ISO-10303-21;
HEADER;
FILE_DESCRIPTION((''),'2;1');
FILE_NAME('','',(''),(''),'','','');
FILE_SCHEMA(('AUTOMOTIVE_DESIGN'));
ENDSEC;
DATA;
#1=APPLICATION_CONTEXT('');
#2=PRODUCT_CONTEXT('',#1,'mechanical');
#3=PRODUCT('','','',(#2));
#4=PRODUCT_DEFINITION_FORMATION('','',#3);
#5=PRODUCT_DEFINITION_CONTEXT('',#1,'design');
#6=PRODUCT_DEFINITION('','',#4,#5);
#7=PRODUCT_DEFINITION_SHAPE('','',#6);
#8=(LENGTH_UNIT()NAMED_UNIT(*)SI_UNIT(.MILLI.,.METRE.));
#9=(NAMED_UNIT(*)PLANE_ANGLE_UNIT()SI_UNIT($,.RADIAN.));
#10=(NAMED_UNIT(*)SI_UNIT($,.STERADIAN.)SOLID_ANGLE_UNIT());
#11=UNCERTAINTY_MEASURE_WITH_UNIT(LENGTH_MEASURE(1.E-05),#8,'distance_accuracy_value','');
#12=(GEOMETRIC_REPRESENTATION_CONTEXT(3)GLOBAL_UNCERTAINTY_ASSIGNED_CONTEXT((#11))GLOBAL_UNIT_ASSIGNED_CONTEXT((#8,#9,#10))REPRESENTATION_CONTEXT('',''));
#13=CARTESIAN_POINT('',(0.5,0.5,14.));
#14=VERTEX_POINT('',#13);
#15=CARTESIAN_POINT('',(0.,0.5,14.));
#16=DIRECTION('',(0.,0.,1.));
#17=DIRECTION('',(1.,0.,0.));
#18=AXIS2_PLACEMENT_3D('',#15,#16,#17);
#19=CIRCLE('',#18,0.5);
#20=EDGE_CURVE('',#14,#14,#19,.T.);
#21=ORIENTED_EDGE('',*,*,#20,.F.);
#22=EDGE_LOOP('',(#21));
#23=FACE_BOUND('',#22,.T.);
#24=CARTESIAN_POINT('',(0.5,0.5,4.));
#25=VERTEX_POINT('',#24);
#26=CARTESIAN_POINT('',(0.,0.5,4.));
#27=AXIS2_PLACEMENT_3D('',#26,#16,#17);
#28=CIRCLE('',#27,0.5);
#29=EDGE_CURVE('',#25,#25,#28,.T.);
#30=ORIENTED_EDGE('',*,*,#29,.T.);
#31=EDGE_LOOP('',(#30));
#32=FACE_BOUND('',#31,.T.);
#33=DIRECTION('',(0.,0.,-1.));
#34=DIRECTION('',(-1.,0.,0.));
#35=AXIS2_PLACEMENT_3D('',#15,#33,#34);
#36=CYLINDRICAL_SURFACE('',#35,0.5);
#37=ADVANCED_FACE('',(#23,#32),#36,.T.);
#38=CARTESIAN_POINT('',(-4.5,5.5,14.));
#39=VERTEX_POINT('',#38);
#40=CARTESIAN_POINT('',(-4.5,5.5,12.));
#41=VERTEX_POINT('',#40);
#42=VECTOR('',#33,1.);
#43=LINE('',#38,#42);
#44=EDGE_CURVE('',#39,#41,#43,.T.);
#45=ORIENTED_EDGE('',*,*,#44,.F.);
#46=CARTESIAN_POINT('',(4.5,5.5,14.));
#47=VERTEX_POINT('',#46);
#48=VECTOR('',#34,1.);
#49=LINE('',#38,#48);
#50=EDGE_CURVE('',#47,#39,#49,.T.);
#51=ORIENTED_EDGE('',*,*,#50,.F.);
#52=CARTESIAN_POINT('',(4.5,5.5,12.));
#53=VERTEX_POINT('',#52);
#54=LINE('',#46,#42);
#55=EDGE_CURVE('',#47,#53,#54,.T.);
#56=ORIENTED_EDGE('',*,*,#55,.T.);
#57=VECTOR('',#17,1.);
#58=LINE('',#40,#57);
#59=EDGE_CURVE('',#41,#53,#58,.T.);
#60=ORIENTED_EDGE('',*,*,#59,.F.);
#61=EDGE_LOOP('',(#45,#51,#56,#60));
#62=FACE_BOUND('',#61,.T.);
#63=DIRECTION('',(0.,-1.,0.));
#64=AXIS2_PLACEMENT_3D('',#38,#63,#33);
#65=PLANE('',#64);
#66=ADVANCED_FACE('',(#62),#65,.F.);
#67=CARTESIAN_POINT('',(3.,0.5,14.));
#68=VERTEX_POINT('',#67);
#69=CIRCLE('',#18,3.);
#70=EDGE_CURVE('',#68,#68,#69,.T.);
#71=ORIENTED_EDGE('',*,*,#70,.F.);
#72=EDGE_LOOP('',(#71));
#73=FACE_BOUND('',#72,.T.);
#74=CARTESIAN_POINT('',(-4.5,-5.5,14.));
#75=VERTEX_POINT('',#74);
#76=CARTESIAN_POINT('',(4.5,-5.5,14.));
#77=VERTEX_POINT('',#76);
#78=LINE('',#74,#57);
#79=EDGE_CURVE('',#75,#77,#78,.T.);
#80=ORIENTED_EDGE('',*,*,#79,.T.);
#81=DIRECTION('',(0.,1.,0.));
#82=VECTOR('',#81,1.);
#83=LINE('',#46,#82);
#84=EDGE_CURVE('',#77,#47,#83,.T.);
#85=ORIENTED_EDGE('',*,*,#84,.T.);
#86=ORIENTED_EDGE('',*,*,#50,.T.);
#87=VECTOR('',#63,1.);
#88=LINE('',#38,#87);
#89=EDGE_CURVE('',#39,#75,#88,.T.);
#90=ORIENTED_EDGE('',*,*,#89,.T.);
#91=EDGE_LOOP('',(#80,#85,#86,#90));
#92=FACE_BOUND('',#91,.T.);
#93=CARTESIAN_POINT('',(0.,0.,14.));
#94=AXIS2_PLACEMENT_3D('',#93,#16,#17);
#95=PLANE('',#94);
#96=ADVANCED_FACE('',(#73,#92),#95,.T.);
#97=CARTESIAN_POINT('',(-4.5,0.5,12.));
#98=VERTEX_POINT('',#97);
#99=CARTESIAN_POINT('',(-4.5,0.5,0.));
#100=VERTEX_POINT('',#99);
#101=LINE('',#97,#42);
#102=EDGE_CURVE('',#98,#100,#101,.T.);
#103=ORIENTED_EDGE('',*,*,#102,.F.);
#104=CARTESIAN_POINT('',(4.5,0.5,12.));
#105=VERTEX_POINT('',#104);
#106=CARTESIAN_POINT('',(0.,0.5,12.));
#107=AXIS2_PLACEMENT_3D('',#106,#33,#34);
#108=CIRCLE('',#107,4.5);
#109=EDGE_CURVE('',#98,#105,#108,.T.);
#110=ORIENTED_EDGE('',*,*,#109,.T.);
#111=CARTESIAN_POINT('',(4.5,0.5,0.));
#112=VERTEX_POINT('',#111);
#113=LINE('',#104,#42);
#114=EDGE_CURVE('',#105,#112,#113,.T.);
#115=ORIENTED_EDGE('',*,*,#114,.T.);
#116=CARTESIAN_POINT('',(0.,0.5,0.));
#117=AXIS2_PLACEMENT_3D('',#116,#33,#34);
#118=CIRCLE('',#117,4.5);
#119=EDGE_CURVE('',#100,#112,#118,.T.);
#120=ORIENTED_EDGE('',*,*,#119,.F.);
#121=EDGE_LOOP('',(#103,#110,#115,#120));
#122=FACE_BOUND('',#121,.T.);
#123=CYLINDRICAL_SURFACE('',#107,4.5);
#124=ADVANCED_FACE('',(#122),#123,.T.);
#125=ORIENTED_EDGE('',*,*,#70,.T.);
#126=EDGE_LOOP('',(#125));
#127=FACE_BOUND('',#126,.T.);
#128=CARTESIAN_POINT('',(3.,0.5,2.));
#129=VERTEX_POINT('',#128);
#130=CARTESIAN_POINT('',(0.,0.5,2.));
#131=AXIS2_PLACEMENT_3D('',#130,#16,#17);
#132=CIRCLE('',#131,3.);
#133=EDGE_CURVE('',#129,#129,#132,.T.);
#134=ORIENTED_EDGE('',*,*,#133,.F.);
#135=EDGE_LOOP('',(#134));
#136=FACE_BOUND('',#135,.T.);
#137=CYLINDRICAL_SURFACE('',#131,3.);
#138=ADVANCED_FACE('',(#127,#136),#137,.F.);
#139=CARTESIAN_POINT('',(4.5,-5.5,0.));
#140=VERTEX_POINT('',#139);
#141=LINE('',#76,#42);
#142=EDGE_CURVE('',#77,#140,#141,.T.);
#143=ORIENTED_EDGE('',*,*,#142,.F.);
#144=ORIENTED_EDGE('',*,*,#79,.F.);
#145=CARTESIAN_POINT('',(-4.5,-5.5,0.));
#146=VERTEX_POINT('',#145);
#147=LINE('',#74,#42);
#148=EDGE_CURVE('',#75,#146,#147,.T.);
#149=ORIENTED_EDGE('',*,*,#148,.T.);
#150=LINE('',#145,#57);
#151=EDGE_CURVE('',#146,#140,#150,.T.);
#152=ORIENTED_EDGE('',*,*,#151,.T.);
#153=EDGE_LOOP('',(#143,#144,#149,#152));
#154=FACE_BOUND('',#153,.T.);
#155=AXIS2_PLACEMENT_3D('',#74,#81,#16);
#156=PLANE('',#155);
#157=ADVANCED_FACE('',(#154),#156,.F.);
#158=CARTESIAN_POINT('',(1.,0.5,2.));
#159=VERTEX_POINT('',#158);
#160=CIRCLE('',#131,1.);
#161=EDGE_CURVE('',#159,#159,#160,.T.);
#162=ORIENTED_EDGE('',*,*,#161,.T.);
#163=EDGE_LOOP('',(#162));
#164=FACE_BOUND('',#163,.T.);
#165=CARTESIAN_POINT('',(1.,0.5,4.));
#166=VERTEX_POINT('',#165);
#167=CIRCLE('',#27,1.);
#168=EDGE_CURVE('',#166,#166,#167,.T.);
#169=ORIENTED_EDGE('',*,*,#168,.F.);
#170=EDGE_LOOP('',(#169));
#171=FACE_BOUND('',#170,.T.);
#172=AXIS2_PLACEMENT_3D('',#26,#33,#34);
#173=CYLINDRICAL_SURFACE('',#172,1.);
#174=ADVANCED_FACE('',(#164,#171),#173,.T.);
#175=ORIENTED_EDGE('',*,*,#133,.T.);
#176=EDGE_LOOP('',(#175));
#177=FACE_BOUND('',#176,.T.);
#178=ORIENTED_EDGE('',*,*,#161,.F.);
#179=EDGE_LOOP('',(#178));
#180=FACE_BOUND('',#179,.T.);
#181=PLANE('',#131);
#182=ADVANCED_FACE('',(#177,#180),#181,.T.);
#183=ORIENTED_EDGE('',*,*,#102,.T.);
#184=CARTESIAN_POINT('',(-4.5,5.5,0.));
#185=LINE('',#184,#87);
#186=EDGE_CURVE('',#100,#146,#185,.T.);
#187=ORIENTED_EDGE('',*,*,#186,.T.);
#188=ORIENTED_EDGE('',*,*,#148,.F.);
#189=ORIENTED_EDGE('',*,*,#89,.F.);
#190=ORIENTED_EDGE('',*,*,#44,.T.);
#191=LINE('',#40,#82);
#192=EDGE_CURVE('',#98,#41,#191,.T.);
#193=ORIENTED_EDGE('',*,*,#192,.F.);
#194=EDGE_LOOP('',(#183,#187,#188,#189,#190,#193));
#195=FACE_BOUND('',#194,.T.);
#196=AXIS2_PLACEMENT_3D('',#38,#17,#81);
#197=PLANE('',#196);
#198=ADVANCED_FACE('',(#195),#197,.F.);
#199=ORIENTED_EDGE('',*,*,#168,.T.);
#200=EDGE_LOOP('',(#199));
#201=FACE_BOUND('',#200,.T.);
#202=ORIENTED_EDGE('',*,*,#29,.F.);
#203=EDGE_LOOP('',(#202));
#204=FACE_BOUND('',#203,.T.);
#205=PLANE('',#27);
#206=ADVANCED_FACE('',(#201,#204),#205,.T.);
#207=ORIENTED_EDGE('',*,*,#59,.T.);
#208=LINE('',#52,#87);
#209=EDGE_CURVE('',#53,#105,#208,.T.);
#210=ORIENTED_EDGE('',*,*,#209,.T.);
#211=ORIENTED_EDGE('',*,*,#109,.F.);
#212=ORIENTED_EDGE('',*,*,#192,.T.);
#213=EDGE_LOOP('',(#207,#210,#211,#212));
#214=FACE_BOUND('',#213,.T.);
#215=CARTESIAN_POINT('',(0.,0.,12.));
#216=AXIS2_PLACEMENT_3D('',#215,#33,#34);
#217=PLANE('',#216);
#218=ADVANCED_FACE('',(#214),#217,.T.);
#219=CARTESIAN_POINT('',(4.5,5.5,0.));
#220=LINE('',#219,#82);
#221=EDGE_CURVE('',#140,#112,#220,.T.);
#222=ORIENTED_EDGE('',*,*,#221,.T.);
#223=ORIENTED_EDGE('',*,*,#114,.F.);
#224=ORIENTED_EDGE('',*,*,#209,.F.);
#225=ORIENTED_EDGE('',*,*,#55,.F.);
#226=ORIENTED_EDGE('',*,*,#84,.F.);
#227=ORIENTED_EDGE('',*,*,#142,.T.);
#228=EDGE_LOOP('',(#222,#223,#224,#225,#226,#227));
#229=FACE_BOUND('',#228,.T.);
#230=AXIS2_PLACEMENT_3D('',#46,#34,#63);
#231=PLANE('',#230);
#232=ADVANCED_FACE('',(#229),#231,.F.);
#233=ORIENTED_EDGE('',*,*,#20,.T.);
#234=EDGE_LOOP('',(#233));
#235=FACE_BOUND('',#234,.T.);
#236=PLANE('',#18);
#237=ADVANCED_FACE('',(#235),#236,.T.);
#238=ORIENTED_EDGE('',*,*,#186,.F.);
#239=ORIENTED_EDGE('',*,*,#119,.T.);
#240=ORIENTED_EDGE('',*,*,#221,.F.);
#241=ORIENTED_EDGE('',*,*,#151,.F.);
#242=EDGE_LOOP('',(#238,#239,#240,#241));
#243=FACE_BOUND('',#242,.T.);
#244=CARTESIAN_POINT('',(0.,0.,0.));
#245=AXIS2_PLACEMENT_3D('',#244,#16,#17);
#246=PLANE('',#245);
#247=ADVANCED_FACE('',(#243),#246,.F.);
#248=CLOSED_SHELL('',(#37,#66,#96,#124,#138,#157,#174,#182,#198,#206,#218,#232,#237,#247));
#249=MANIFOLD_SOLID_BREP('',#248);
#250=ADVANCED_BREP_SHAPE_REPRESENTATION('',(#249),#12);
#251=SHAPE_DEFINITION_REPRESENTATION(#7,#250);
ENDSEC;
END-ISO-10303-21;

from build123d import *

# Parameters (mm, degrees)
SKETCH1_W           = 9
SKETCH1_H           = 11
BOSS_EXTRUDE1_DEPTH = 14
SKETCH2_R           = 3
CUT_EXTRUDE1_DEPTH  = 12
SKETCH3_OUTSIDE_W   = 14.99
SKETCH3_OUTSIDE_H   = 16.99
CUT_EXTRUDE2_DEPTH  = 12
SKETCH4_R           = 1
BOSS_EXTRUDE2_DEPTH = 2
SKETCH5_R           = 0.5
BOSS_EXTRUDE3_DEPTH = 10


with BuildPart() as part:
    # Sketch1 → Boss-Extrude1 (new body)
    with BuildSketch(Plane.XY):
        Rectangle(SKETCH1_W, SKETCH1_H)
    extrude(amount=BOSS_EXTRUDE1_DEPTH)

    # Sketch2 → Cut-Extrude1 (cut)
    with BuildSketch(Plane.XY.offset(14)):
        with Locations((0, 0.5)):
            Circle(SKETCH2_R)
    extrude(amount=-CUT_EXTRUDE1_DEPTH, mode=Mode.SUBTRACT)

    # Sketch3 outside → Cut-Extrude2 (cut)
    with BuildSketch(Plane(origin=(0, 0, 0), x_dir=(-1, 0, 0), z_dir=(0, 0, -1))):
        Rectangle(SKETCH3_OUTSIDE_W, SKETCH3_OUTSIDE_H)
        with BuildLine():
            Line((-4.5, 0.5), (-4.5, -5.5))
            Line((-4.5, -5.5), (4.5, -5.5))
            Line((4.5, -5.5), (4.5, 0.5))
            ThreePointArc((4.5, 0.5), (0, 5), (-4.5, 0.5))
        make_face(mode=Mode.SUBTRACT)
    extrude(amount=-CUT_EXTRUDE2_DEPTH, mode=Mode.SUBTRACT)

    # Sketch4 → Boss-Extrude2 (add)
    with BuildSketch(Plane.XY.offset(2)):
        with Locations((0, 0.5)):
            Circle(SKETCH4_R)
    extrude(amount=BOSS_EXTRUDE2_DEPTH)

    # Sketch5 → Boss-Extrude3 (add)
    with BuildSketch(Plane.XY.offset(4)):
        with Locations((0, 0.5)):
            Circle(SKETCH5_R)
    extrude(amount=BOSS_EXTRUDE3_DEPTH)


solid = part.part
